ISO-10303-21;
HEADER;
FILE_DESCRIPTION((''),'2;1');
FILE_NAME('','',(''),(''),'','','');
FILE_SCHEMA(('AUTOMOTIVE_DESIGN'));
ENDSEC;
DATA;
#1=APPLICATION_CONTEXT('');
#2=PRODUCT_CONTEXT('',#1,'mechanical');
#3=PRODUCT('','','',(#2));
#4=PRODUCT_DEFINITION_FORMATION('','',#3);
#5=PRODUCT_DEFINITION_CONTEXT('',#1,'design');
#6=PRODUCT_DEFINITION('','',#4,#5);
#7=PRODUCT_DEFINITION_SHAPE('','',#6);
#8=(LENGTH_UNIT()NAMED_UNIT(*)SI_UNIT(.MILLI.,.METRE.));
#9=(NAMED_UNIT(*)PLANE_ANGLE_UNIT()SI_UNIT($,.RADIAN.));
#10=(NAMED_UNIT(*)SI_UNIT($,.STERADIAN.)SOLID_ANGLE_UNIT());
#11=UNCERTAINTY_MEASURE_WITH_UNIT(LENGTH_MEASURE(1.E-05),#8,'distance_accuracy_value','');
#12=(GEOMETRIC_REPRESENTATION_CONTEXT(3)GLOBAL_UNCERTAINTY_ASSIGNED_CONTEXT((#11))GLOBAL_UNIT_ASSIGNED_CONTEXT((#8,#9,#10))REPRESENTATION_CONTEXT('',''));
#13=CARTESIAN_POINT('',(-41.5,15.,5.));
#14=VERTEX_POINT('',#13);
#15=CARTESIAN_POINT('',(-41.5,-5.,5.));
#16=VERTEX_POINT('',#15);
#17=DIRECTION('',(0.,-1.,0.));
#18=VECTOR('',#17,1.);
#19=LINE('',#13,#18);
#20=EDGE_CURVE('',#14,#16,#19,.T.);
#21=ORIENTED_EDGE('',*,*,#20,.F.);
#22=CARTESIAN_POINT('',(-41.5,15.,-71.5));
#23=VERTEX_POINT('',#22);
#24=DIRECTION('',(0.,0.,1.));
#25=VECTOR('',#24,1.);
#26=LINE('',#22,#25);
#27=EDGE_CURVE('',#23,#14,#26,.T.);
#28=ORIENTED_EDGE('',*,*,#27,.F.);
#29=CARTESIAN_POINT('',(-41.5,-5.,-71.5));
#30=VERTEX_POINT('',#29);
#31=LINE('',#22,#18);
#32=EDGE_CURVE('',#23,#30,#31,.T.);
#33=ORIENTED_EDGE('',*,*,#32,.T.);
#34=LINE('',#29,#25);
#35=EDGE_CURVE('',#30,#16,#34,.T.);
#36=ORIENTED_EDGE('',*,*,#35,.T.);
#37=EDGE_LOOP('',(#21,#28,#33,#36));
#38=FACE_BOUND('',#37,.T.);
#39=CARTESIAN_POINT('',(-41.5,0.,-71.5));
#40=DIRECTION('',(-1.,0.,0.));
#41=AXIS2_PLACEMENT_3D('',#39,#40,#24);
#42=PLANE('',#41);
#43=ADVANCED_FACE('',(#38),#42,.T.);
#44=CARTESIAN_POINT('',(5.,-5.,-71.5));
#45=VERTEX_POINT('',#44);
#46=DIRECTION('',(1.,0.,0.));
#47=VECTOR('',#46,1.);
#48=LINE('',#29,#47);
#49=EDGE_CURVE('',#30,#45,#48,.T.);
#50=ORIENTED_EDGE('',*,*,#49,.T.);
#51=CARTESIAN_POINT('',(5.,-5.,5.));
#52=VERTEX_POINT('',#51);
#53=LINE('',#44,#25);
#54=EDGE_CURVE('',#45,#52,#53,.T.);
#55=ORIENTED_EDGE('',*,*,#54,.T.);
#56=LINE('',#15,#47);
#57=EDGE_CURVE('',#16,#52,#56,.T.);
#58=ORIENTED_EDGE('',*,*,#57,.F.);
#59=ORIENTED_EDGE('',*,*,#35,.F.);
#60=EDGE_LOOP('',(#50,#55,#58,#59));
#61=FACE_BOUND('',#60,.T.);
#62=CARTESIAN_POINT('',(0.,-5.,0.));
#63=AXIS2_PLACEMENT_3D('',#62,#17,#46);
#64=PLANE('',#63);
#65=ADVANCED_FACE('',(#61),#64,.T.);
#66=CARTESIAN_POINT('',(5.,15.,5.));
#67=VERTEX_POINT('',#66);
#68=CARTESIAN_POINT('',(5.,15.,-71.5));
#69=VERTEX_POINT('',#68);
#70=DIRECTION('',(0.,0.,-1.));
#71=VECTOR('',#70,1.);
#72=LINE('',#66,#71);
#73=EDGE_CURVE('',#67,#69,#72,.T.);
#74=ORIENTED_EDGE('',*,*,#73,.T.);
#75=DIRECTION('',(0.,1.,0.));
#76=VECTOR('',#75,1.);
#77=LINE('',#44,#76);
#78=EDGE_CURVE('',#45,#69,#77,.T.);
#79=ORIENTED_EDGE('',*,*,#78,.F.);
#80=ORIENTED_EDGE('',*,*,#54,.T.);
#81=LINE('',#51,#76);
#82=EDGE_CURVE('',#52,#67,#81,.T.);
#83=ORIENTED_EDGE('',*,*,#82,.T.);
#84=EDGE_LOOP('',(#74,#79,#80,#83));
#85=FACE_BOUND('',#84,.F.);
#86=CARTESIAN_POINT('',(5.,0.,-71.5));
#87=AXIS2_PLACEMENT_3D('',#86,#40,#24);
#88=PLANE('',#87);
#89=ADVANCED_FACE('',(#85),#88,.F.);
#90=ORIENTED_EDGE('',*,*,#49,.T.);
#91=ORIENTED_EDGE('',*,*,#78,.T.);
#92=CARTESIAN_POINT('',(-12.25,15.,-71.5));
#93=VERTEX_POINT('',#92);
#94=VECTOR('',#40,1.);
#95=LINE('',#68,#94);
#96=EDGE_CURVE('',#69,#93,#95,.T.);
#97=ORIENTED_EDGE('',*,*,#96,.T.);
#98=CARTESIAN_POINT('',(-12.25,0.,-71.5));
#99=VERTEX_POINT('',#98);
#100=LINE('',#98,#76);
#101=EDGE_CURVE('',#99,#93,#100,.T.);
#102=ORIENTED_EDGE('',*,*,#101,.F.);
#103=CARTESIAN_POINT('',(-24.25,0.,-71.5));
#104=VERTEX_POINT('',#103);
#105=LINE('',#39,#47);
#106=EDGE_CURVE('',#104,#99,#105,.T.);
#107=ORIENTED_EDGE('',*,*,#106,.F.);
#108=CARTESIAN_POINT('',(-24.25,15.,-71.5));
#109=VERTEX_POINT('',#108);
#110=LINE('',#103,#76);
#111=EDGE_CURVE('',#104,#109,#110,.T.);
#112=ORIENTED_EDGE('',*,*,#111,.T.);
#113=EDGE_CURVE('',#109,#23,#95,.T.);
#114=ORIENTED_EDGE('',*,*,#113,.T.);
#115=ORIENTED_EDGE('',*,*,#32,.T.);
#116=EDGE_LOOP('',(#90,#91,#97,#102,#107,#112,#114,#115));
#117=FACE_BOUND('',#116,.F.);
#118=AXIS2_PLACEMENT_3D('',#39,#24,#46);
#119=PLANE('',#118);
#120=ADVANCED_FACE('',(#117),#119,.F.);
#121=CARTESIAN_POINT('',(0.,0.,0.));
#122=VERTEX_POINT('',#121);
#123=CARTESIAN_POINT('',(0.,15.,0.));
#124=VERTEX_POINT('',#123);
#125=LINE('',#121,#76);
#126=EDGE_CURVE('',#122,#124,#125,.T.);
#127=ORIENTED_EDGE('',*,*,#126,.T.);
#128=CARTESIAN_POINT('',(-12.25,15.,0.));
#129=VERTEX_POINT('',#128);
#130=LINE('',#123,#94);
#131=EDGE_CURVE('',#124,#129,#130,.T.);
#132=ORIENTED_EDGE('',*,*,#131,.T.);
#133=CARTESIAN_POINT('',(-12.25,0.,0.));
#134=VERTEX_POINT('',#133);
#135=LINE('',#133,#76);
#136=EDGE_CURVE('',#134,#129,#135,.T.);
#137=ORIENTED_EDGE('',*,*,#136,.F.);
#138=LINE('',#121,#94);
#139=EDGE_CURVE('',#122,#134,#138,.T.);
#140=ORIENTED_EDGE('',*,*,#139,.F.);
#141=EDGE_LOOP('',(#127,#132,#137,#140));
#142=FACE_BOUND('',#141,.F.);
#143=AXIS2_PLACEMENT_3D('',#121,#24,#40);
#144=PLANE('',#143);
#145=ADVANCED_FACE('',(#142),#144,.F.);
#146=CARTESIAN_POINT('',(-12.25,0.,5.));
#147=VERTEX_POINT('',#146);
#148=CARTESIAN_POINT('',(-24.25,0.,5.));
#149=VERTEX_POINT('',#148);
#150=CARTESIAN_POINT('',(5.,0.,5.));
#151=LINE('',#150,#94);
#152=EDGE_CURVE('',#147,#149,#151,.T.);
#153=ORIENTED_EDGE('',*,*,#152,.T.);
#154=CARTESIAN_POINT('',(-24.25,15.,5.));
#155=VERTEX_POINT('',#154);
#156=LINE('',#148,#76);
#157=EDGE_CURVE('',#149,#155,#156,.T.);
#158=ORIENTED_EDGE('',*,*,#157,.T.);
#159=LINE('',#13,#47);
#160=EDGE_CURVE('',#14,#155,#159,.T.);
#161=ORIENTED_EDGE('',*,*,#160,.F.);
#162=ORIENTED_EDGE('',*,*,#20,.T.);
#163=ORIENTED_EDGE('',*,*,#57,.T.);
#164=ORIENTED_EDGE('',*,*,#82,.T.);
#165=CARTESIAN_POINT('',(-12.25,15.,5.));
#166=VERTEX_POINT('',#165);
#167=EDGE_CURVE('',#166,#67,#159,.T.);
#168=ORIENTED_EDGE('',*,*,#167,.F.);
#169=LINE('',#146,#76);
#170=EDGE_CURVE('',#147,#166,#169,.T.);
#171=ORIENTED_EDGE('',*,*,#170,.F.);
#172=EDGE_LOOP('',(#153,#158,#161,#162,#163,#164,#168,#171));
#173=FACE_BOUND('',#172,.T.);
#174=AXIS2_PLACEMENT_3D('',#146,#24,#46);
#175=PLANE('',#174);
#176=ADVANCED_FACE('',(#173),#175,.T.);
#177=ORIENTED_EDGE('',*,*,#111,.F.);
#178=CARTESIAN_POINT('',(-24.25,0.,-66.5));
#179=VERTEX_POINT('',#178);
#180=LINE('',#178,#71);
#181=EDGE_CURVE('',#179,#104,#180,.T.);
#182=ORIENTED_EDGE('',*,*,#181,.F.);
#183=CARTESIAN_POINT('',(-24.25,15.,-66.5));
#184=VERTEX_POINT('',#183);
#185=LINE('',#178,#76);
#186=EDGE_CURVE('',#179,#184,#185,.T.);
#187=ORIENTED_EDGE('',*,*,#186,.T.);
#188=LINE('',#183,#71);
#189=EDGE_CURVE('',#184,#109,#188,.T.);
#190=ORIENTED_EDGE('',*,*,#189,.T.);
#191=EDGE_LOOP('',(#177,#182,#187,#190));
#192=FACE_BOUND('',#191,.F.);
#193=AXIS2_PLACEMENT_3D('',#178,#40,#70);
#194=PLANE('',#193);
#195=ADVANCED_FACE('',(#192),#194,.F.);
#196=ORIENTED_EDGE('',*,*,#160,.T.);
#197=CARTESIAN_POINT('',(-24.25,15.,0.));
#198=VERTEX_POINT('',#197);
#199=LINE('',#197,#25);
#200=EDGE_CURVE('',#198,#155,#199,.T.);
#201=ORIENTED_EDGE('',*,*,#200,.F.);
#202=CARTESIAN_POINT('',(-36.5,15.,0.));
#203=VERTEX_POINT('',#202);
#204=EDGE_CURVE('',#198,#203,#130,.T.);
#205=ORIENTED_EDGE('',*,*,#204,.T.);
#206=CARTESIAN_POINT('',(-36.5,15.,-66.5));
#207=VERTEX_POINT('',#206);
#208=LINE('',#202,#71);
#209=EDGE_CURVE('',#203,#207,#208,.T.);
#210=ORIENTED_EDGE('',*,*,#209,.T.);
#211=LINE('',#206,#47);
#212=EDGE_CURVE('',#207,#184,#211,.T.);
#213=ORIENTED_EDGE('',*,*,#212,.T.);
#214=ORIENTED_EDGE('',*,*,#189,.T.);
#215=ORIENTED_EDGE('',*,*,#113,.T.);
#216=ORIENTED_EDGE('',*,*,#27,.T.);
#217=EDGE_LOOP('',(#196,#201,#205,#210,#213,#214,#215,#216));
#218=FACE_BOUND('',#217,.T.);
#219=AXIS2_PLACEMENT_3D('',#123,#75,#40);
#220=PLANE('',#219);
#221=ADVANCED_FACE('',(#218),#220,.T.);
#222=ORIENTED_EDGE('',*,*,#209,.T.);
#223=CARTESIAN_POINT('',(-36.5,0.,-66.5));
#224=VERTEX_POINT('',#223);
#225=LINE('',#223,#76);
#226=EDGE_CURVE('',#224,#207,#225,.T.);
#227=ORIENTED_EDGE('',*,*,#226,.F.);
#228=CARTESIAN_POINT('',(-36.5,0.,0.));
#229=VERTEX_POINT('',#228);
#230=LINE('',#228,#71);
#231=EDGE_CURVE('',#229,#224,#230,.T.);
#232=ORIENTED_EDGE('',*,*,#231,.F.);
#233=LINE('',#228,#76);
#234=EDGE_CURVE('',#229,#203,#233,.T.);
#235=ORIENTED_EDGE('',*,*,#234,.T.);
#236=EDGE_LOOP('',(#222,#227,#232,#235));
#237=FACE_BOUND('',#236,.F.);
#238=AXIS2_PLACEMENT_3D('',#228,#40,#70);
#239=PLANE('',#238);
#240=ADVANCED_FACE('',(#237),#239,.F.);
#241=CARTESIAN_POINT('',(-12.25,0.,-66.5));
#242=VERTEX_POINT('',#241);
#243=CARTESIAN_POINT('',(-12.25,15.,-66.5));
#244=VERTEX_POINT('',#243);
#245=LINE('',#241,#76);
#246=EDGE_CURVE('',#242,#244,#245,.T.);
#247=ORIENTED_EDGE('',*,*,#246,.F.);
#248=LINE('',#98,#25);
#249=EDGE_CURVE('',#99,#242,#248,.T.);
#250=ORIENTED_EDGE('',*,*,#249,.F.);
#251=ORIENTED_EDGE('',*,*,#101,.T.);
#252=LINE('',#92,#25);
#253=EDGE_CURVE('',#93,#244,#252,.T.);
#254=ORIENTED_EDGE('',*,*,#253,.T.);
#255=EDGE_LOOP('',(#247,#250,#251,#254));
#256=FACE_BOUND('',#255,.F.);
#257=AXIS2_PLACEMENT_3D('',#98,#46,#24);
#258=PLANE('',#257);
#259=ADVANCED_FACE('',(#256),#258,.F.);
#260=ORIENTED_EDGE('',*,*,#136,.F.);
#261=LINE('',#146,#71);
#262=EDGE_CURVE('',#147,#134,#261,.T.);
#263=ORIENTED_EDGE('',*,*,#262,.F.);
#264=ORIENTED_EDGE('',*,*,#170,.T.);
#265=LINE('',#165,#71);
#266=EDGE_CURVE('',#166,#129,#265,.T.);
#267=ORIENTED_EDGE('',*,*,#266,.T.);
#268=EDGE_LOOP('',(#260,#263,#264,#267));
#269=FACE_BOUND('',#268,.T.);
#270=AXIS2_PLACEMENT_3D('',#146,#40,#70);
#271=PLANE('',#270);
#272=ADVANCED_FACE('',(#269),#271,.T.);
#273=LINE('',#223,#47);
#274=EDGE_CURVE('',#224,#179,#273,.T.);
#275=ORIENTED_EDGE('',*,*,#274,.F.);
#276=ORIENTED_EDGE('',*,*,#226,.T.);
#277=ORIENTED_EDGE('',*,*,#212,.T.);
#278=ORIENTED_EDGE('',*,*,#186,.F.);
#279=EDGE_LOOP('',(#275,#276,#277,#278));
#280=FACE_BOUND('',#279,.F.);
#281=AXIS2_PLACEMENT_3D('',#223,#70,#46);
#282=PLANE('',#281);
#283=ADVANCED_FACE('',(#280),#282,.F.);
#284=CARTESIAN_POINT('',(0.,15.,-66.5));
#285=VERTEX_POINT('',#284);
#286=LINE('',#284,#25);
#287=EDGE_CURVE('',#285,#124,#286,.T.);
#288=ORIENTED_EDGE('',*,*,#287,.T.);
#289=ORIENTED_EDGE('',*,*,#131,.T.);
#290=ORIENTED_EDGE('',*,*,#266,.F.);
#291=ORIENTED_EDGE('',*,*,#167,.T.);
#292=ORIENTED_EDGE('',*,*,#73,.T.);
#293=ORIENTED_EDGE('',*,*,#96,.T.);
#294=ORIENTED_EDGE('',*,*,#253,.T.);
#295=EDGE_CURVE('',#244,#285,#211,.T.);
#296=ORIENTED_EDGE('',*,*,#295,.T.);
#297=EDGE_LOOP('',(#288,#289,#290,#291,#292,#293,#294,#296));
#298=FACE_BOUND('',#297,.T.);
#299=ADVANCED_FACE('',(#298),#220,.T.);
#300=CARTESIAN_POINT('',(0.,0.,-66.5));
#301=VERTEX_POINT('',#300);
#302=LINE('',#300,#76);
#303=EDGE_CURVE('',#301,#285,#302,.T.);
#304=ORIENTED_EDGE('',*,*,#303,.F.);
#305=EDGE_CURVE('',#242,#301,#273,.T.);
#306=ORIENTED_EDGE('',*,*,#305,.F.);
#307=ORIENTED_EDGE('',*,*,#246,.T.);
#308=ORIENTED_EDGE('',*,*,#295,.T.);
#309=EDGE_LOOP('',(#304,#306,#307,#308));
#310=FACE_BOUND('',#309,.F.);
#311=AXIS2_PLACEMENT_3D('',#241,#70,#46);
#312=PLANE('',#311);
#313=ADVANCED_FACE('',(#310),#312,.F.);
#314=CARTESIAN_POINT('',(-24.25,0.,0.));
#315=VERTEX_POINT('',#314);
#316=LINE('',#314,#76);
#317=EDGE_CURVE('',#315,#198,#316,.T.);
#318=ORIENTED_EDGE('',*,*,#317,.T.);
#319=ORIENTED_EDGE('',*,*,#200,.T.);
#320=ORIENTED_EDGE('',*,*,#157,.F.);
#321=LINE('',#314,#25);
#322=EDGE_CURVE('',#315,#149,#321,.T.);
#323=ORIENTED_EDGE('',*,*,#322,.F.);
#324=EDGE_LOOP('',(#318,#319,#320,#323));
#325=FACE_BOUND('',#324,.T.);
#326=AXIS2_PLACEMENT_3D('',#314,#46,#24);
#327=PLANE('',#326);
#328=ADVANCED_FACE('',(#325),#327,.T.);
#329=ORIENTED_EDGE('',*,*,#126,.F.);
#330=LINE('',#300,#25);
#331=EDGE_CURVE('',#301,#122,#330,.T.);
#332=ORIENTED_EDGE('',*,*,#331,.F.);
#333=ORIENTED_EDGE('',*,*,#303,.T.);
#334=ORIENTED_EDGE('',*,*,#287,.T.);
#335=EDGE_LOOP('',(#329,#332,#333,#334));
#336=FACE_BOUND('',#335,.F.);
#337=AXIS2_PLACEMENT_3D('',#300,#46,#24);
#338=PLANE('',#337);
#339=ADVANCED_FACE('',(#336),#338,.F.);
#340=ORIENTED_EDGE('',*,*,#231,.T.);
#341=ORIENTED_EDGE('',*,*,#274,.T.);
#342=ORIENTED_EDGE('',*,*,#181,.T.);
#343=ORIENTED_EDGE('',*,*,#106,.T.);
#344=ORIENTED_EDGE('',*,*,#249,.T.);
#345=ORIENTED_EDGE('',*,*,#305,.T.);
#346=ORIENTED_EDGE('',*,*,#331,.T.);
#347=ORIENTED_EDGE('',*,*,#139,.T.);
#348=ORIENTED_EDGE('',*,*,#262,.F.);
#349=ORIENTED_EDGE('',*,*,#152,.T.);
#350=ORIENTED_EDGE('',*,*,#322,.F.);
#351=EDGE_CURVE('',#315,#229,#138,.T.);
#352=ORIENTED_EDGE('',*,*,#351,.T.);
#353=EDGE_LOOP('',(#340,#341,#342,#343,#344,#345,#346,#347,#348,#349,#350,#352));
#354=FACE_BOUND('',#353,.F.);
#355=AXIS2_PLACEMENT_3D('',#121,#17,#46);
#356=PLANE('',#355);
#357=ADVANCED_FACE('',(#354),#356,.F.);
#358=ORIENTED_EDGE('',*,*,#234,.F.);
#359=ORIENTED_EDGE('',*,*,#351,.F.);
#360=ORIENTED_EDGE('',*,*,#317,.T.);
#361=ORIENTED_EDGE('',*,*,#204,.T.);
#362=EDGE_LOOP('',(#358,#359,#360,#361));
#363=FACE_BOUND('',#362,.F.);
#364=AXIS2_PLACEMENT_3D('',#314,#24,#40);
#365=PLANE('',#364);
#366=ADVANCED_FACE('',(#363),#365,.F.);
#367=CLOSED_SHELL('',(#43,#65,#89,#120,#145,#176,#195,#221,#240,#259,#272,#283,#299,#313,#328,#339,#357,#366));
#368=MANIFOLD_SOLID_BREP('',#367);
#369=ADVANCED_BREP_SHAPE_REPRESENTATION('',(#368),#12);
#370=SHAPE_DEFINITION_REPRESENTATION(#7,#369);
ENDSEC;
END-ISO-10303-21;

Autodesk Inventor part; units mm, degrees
ref_plane "YZ Plane" through (0, 0, 0) normal (1, 0, 0) x (0, 1, 0)
ref_plane "XZ Plane" through (0, 0, 0) normal (0, 1, 0) x (-1, 0, 0)
ref_plane "XY Plane" through (0, 0, 0) normal (0, 0, 1) x (1, 0, 0)
sketch "Sketch1" plane through (0, 0, 0) normal (0, 1, 0) x (-1, 0, 0)
  line L0 (0, 0) -> (36.5, 0)
  line L1 (36.5, 0) -> (36.5, -66.5)
  line L2 (36.5, -66.5) -> (0, -66.5)
  line L3 (0, -66.5) -> (0, 0)
  line L4 (41.5, 5) -> (-5, 5)
  line L5 (-5, 5) -> (-5, -71.5)
  line L6 (-5, -71.5) -> (41.5, -71.5)
  line L7 (41.5, -71.5) -> (41.5, 5)
  line L8 (18.25, 5) -> (24.25, 5)
  line L9 (18.25, -71.5) -> (24.25, -71.5)
  line L10 (24.25, 5) -> (12.25, 5)
  line L11 (12.25, 5) -> (12.25, 0)
  line L12 (12.25, 0) -> (24.25, 0)
  line L13 (24.25, 0) -> (24.25, 5)
  line L14 (24.25, -71.5) -> (12.25, -71.5)
  line L15 (12.25, -71.5) -> (12.25, -66.5)
  line L16 (12.25, -66.5) -> (24.25, -66.5)
  line L17 (24.25, -66.5) -> (24.25, -71.5)
  dimension "d0" = 36.5
  dimension "d1" = 66.5
  dimension "d2" = 5
  dimension "d3" = 6
  dimension "d4" = 6
  dimension "d5" = 12
  dimension "d6" = 12
extrude "Extrusion1" add sketch "Sketch1" along normal blind 15 contours L3 L2 L15 L6 L5 L4 L11 L0 | L13 L4 L7 L6 L17 L2 L1 L0
sketch "Sketch2" plane through (0, 0, 0) normal (0, -1, 0) x (1, 0, 0)
  line L0 (-12.25, 5) -> (5, 5) projected
  line L1 (-41.5, -71.5) -> (-41.5, 5) projected
  line L2 (5, 5) -> (-41.5, 5)
  line L3 (-41.5, 5) -> (-41.5, -71.5)
  line L4 (-41.5, -71.5) -> (5, -71.5)
  line L5 (5, -71.5) -> (5, 5)
  point P0 (0, 0)
extrude "Extrusion2" add sketch "Sketch2" along normal blind 5
sketch "Sketch3" plane through (0, 15, 0) normal (0, 1, 0) x (1, 0, 0)
  line L0 (5, -5) -> (-41.5, -5) projected
  line L1 (-24.25, -5) -> (-24.25, 0) projected
  line L2 (-41.5, -5) -> (-24.25, -5)
  line L3 (-24.25, -5) -> (-24.25, 0)
  line L4 (-24.25, 0) -> (-36.5, 0) projected
  line L5 (-24.25, 0) -> (-36.5, 0)
  line L6 (-36.5, 0) -> (-36.5, 66.5) projected
  line L7 (-36.5, 0) -> (-36.5, 66.5)
  line L8 (-36.5, 66.5) -> (-24.25, 66.5)
  line L9 (-24.25, 66.5) -> (-24.25, 71.5)
  line L10 (-41.5, 71.5) -> (5, 71.5) projected
  line L11 (-41.5, -5) -> (-41.5, 71.5) projected
  line L12 (-41.5, 71.5) -> (-24.25, 71.5)
  line L13 (-41.5, 71.5) -> (-41.5, -5)
  line L14 (-12.25, 0) -> (-12.25, -5) projected
  line L15 (-12.25, -5) -> (5, -5)
  line L16 (5, -5) -> (5, 71.5) projected
  line L17 (5, -5) -> (5, 71.5)
  line L18 (5, 71.5) -> (-12.25, 71.5)
  line L19 (-12.25, 71.5) -> (-12.25, 66.5) projected
  line L20 (-12.25, 66.5) -> (-12.25, 71.5)
  line L21 (0, 0) -> (-12.25, 0) projected
  line L22 (-12.25, -5) -> (-12.25, 0)
  line L23 (-12.25, 0) -> (0, 0)
  line L24 (0, 66.5) -> (0, 0) projected
  line L25 (0, 0) -> (0, 66.5)
  line L26 (-12.25, 66.5) -> (0, 66.5) projected
  line L27 (0, 66.5) -> (-12.25, 66.5)
properties part number "voltage buckboost cover"
